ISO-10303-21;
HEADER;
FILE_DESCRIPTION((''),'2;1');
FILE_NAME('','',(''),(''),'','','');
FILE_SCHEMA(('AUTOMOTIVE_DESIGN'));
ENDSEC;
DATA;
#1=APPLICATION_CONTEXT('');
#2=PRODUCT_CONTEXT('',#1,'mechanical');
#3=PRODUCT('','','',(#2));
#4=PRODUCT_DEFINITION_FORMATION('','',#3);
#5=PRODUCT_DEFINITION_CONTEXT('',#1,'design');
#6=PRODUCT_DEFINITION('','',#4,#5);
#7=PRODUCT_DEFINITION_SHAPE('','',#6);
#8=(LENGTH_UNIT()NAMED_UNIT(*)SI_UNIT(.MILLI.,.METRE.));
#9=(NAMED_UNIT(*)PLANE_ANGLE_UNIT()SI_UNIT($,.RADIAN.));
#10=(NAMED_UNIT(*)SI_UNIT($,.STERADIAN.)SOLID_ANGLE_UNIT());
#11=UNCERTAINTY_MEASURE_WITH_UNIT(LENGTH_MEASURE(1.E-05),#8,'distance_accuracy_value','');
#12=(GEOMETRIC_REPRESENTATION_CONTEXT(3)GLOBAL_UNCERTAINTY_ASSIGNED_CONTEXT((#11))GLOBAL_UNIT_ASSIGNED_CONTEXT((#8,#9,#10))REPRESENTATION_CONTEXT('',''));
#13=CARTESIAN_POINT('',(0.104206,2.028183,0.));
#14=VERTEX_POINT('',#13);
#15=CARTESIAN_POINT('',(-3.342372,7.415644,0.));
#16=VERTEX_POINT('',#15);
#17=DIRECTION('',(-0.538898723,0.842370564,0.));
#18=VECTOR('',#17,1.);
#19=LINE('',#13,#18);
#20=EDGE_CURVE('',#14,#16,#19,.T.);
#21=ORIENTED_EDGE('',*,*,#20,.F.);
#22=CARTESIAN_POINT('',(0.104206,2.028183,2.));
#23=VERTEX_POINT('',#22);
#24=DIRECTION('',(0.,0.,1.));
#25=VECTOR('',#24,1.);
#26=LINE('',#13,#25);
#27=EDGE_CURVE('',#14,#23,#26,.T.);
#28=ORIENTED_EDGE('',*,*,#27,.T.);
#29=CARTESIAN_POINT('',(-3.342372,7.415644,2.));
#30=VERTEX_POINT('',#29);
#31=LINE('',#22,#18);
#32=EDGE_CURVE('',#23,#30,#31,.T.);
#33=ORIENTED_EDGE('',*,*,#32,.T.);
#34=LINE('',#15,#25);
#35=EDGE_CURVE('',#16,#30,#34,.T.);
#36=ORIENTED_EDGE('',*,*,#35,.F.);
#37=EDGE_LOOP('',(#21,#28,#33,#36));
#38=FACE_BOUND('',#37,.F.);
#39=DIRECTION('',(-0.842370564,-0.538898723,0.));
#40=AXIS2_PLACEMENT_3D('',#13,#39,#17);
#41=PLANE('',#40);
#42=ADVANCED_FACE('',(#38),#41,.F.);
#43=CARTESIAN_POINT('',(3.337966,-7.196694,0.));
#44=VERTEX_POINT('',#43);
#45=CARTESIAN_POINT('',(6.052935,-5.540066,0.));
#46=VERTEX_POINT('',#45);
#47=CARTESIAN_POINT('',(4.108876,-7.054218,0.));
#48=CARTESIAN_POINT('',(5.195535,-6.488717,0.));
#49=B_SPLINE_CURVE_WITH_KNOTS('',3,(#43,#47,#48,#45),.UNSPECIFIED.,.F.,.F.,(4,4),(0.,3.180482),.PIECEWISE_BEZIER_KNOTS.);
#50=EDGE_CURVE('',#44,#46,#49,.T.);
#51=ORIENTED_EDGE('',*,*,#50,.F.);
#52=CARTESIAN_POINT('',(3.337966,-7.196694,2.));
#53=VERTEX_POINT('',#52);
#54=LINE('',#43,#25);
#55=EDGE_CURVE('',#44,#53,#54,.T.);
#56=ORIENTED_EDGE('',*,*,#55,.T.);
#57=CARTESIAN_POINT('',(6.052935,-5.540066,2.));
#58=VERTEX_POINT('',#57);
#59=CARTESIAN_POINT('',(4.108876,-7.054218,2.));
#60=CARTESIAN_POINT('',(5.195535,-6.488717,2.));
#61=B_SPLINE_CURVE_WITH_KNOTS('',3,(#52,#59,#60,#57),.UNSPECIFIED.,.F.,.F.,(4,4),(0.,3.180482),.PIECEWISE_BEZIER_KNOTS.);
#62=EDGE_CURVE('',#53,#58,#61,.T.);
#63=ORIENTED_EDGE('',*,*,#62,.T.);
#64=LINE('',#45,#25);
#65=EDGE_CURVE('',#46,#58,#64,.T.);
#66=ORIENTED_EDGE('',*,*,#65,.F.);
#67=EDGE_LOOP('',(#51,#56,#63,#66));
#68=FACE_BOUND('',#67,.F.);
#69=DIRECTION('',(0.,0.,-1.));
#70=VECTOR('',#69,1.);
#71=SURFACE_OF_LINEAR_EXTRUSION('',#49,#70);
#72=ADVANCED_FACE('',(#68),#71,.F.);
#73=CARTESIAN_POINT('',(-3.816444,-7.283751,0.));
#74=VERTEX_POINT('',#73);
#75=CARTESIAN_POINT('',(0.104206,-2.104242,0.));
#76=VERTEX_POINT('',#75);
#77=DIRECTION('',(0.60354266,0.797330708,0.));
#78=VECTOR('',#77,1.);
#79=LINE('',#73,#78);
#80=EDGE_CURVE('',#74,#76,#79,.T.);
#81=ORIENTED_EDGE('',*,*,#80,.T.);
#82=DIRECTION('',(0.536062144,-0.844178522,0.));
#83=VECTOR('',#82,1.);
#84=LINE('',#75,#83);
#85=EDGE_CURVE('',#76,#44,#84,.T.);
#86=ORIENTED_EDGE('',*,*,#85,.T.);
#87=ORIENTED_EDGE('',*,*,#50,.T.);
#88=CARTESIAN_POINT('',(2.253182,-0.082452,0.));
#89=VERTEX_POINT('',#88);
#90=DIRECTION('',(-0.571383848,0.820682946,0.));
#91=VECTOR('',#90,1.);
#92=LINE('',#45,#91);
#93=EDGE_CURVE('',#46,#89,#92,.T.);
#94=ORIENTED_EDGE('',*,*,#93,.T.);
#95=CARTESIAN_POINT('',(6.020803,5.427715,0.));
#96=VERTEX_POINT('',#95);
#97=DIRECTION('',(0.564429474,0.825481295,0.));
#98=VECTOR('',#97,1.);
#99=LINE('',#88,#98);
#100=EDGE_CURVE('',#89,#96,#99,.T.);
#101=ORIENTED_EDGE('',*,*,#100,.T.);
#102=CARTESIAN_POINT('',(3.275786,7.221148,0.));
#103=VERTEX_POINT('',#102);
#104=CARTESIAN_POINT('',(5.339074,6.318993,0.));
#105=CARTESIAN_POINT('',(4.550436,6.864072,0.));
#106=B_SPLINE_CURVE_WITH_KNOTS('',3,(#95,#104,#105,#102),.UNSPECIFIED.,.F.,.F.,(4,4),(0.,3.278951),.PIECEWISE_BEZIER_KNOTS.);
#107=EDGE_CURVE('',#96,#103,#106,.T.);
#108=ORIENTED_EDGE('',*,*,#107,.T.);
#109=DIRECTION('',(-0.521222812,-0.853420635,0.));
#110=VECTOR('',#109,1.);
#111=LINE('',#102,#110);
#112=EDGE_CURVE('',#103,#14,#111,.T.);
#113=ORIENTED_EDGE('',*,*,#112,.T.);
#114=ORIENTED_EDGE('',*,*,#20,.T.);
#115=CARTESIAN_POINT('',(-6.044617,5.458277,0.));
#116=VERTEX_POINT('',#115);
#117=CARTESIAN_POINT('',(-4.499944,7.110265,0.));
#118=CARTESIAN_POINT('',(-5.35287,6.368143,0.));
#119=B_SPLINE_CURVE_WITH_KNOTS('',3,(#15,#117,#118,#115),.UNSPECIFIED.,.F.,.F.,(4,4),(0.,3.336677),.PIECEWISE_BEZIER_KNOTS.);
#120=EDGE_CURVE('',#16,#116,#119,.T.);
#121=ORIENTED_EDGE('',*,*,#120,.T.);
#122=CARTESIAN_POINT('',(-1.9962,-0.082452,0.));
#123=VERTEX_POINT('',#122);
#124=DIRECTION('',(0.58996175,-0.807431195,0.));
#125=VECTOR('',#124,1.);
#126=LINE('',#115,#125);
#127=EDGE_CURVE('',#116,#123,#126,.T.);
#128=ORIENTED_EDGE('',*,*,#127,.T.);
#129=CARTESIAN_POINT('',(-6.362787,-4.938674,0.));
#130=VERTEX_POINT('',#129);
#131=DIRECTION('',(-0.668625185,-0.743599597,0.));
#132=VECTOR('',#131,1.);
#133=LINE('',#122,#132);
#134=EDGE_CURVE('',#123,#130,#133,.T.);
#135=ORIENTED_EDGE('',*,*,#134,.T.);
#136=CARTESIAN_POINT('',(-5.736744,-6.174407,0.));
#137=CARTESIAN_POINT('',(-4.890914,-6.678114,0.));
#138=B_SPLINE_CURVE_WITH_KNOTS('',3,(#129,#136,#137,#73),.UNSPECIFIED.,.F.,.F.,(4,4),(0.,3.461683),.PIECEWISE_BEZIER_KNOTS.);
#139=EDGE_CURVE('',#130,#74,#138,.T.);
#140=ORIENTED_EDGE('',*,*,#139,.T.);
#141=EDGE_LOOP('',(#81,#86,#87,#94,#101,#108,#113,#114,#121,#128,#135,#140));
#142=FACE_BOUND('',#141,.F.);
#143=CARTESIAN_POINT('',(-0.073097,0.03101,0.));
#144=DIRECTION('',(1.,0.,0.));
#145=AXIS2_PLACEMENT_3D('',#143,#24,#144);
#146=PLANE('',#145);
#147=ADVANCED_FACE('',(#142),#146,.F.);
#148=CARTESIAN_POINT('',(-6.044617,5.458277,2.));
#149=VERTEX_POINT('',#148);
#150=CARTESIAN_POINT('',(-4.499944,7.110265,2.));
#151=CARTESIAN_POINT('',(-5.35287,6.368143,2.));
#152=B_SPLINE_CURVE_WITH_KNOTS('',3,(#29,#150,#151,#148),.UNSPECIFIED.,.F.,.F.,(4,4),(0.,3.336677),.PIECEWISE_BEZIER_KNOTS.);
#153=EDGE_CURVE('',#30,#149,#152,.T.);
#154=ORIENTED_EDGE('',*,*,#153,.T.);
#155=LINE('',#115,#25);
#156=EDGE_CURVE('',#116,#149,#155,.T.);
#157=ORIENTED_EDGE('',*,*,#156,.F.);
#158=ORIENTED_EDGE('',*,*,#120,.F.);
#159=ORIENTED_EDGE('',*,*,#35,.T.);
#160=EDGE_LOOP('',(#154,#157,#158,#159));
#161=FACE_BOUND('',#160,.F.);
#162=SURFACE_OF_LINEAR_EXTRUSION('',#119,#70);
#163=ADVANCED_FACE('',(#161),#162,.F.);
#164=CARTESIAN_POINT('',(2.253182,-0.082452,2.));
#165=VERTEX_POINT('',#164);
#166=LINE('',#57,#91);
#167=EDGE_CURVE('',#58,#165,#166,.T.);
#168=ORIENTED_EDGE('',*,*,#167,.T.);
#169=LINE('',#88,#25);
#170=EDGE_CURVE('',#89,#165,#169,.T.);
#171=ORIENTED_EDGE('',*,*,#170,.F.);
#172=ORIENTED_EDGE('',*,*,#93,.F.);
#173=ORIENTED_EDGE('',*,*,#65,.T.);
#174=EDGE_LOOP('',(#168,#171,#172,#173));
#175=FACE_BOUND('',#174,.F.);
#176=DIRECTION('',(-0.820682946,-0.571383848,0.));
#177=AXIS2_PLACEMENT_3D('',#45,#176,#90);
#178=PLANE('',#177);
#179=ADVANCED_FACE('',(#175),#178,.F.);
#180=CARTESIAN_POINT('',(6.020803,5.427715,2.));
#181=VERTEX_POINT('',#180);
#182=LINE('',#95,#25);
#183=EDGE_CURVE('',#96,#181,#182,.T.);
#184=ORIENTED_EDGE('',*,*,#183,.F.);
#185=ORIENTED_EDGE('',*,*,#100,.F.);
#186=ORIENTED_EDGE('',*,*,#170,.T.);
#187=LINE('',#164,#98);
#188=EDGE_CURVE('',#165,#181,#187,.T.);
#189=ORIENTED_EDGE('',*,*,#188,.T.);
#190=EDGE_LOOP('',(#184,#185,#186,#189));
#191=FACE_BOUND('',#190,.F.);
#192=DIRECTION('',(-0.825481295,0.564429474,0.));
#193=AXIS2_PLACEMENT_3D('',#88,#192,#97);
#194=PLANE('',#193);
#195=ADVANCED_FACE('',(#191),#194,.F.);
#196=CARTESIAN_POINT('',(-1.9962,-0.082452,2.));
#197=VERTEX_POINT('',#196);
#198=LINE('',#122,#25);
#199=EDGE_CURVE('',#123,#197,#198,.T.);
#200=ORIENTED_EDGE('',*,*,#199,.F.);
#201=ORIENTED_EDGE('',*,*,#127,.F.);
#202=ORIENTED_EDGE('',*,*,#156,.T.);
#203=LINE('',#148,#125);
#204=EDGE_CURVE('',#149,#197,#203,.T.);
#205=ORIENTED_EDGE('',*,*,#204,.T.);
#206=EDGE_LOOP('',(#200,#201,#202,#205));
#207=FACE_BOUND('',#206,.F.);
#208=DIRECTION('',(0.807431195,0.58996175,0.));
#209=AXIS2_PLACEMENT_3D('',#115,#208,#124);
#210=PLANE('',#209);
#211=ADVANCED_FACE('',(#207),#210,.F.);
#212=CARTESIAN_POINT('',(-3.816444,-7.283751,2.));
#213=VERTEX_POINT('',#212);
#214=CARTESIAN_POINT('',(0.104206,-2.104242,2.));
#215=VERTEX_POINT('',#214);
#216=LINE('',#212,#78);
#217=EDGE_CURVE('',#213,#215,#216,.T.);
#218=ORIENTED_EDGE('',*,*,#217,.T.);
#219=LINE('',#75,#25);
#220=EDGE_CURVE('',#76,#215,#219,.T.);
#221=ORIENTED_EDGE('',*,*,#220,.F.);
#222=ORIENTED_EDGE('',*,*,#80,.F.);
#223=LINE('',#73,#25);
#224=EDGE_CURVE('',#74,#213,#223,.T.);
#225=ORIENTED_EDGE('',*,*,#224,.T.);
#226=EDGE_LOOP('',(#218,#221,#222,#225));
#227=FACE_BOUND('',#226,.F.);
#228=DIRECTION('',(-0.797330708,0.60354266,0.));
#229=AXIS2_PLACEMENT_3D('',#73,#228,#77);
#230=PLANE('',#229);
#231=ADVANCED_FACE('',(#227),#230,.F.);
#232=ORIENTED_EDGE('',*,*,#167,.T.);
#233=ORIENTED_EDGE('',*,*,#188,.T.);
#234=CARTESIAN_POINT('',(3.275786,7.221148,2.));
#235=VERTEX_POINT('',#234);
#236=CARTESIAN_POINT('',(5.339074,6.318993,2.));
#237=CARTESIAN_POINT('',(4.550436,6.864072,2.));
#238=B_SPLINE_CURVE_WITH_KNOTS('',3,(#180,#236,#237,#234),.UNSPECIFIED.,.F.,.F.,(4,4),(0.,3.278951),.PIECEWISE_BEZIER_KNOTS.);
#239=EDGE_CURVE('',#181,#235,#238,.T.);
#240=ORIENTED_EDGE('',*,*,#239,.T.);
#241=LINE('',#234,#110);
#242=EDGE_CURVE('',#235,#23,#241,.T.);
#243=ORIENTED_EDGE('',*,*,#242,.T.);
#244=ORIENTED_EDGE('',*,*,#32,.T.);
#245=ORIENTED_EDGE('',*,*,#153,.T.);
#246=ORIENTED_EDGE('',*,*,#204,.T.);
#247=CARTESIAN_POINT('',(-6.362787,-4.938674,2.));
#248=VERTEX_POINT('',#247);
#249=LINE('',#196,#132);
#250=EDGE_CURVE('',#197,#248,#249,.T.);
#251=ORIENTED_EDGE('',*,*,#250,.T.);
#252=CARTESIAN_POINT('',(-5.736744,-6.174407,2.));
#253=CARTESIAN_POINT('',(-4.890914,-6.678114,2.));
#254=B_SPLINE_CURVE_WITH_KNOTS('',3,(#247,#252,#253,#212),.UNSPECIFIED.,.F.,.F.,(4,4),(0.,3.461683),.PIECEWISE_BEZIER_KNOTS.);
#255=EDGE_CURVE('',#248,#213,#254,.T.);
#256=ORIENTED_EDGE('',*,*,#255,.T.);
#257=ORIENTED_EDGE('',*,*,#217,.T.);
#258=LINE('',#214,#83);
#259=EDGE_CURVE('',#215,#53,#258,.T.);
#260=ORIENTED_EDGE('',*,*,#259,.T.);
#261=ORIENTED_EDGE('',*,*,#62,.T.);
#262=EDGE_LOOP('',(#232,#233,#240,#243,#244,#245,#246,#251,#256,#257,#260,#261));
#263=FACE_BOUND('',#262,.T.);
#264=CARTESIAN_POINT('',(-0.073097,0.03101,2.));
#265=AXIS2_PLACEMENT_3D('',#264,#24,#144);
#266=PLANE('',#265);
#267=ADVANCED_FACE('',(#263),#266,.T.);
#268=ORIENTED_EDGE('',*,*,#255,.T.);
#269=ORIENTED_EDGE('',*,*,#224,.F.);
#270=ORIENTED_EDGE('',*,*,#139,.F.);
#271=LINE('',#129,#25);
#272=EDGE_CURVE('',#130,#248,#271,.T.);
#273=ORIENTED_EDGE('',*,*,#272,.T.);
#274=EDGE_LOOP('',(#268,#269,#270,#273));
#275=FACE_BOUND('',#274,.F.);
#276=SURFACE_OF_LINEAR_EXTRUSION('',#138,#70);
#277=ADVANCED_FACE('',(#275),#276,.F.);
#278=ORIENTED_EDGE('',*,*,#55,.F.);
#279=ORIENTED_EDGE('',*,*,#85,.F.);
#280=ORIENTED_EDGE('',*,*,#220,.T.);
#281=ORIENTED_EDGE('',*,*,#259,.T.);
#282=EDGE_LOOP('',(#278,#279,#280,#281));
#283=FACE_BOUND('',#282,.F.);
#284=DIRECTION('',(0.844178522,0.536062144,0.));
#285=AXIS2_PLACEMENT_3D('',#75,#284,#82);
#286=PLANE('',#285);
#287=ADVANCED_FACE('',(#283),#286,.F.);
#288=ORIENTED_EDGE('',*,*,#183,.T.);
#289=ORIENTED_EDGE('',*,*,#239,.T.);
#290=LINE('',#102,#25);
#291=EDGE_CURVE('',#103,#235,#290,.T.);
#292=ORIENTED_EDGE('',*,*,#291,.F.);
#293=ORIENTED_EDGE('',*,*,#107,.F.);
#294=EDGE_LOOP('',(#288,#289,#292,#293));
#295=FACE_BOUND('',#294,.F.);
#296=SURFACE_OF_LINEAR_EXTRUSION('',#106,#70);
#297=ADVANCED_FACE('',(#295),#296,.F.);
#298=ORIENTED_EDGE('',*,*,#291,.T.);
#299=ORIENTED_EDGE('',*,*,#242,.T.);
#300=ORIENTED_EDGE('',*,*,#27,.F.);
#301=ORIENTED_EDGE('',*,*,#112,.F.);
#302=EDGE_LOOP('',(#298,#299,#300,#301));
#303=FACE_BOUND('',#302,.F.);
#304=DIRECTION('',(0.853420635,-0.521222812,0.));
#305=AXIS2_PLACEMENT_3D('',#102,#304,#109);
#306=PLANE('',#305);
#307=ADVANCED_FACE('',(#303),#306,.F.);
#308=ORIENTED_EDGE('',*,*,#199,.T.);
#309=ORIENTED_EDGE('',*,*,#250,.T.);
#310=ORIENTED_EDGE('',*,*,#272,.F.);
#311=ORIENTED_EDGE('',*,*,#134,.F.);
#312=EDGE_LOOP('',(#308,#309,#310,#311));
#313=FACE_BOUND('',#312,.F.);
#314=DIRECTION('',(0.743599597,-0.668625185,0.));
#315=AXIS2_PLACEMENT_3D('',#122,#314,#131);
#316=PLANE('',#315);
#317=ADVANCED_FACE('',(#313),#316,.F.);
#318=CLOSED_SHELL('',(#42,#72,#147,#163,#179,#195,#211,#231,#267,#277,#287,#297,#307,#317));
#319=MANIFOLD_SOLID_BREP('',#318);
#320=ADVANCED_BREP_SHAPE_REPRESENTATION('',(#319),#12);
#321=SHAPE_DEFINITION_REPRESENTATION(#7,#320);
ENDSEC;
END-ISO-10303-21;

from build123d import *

# Parameters (mm, degrees)
F1_DEPTH = 2


with BuildPart() as f1:
    # F0 (on Top) → F1 (new body)
    with BuildSketch(Plane.XY):
        with BuildLine():
            Line((2.253182, -0.082452), (6.020803, 5.427715))
            add(Edge.make_bspline(
                [(6.020803, 5.427715), (5.339074, 6.318993), (4.550436, 6.864072), (3.275786, 7.221148)],
                knots=[0, 0, 0, 0, 3.278951, 3.278951, 3.278951, 3.278951], degree=3))
            Line((3.275786, 7.221148), (0.104206, 2.028183))
            Line((0.104206, 2.028183), (-3.342372, 7.415644))
            add(Edge.make_bspline(
                [(-3.342372, 7.415644), (-4.499944, 7.110265), (-5.35287, 6.368143), (-6.044617, 5.458277)],
                knots=[0, 0, 0, 0, 3.336677, 3.336677, 3.336677, 3.336677], degree=3))
            Line((-6.044617, 5.458277), (-1.9962, -0.082452))
            Line((-1.9962, -0.082452), (-6.362787, -4.938674))
            add(Edge.make_bspline(
                [(-6.362787, -4.938674), (-5.736744, -6.174407), (-4.890914, -6.678114), (-3.816444, -7.283751)],
                knots=[0, 0, 0, 0, 3.461683, 3.461683, 3.461683, 3.461683], degree=3))
            Line((-3.816444, -7.283751), (0.104206, -2.104242))
            Line((0.104206, -2.104242), (3.337966, -7.196694))
            add(Edge.make_bspline(
                [(3.337966, -7.196694), (4.108876, -7.054218), (5.195535, -6.488717), (6.052935, -5.540066)],
                knots=[0, 0, 0, 0, 3.180482, 3.180482, 3.180482, 3.180482], degree=3))
            Line((6.052935, -5.540066), (2.253182, -0.082452))
        make_face()
    extrude(amount=F1_DEPTH)


solid = f1.part
